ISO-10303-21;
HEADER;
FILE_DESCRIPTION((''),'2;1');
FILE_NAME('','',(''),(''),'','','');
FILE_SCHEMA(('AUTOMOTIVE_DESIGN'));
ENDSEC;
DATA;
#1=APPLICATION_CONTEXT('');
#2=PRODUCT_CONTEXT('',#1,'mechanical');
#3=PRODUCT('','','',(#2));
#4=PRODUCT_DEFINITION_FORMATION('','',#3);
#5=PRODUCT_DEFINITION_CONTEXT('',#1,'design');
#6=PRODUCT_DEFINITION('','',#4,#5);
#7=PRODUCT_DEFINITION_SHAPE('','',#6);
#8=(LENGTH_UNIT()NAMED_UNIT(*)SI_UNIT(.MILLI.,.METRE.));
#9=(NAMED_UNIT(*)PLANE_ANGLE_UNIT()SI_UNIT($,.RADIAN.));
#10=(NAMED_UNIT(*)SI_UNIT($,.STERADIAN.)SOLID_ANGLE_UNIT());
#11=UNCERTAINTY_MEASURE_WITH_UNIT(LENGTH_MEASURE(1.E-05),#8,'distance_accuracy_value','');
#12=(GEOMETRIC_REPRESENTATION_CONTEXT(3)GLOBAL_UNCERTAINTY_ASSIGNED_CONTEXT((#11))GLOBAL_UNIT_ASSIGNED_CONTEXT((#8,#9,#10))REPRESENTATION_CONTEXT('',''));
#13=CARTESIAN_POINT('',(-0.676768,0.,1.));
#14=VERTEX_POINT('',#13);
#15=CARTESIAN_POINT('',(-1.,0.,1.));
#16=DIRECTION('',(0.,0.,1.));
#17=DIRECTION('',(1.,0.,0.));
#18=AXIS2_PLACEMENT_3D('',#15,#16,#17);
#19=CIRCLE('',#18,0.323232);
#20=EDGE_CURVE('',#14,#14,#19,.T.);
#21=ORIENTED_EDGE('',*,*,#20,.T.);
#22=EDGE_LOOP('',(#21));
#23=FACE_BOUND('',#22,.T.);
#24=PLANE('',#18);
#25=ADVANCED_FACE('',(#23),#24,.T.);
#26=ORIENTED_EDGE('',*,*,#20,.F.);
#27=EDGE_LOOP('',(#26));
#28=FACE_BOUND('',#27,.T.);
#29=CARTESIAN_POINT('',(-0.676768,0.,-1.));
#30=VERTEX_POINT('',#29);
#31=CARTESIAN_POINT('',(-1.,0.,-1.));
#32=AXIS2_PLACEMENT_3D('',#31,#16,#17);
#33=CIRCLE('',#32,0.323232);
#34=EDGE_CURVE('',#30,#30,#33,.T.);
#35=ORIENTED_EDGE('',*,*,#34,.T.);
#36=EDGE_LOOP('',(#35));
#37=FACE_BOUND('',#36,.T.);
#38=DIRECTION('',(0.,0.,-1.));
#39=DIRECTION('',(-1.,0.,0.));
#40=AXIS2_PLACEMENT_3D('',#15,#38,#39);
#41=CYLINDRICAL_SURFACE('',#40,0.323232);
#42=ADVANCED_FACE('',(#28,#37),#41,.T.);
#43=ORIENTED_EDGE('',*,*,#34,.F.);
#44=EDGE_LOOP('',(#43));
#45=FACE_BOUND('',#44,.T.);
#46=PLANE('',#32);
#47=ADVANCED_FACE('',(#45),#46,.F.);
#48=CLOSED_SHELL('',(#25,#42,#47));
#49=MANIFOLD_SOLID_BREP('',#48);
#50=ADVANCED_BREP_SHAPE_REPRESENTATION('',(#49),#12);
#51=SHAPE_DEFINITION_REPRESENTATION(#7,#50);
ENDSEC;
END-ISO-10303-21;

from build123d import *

# Parameters (mm, degrees)
SKETCH_1_R      = 0.323232354
EXTRUDE_1_DEPTH = 1


with BuildPart() as part:
    # 草图1 → 凸台-拉伸1 (new, symmetric)
    with BuildSketch(Plane.XY):
        with Locations((-1, 0)):
            Circle(SKETCH_1_R)
    extrude(amount=EXTRUDE_1_DEPTH, both=True)


solid = part.part
